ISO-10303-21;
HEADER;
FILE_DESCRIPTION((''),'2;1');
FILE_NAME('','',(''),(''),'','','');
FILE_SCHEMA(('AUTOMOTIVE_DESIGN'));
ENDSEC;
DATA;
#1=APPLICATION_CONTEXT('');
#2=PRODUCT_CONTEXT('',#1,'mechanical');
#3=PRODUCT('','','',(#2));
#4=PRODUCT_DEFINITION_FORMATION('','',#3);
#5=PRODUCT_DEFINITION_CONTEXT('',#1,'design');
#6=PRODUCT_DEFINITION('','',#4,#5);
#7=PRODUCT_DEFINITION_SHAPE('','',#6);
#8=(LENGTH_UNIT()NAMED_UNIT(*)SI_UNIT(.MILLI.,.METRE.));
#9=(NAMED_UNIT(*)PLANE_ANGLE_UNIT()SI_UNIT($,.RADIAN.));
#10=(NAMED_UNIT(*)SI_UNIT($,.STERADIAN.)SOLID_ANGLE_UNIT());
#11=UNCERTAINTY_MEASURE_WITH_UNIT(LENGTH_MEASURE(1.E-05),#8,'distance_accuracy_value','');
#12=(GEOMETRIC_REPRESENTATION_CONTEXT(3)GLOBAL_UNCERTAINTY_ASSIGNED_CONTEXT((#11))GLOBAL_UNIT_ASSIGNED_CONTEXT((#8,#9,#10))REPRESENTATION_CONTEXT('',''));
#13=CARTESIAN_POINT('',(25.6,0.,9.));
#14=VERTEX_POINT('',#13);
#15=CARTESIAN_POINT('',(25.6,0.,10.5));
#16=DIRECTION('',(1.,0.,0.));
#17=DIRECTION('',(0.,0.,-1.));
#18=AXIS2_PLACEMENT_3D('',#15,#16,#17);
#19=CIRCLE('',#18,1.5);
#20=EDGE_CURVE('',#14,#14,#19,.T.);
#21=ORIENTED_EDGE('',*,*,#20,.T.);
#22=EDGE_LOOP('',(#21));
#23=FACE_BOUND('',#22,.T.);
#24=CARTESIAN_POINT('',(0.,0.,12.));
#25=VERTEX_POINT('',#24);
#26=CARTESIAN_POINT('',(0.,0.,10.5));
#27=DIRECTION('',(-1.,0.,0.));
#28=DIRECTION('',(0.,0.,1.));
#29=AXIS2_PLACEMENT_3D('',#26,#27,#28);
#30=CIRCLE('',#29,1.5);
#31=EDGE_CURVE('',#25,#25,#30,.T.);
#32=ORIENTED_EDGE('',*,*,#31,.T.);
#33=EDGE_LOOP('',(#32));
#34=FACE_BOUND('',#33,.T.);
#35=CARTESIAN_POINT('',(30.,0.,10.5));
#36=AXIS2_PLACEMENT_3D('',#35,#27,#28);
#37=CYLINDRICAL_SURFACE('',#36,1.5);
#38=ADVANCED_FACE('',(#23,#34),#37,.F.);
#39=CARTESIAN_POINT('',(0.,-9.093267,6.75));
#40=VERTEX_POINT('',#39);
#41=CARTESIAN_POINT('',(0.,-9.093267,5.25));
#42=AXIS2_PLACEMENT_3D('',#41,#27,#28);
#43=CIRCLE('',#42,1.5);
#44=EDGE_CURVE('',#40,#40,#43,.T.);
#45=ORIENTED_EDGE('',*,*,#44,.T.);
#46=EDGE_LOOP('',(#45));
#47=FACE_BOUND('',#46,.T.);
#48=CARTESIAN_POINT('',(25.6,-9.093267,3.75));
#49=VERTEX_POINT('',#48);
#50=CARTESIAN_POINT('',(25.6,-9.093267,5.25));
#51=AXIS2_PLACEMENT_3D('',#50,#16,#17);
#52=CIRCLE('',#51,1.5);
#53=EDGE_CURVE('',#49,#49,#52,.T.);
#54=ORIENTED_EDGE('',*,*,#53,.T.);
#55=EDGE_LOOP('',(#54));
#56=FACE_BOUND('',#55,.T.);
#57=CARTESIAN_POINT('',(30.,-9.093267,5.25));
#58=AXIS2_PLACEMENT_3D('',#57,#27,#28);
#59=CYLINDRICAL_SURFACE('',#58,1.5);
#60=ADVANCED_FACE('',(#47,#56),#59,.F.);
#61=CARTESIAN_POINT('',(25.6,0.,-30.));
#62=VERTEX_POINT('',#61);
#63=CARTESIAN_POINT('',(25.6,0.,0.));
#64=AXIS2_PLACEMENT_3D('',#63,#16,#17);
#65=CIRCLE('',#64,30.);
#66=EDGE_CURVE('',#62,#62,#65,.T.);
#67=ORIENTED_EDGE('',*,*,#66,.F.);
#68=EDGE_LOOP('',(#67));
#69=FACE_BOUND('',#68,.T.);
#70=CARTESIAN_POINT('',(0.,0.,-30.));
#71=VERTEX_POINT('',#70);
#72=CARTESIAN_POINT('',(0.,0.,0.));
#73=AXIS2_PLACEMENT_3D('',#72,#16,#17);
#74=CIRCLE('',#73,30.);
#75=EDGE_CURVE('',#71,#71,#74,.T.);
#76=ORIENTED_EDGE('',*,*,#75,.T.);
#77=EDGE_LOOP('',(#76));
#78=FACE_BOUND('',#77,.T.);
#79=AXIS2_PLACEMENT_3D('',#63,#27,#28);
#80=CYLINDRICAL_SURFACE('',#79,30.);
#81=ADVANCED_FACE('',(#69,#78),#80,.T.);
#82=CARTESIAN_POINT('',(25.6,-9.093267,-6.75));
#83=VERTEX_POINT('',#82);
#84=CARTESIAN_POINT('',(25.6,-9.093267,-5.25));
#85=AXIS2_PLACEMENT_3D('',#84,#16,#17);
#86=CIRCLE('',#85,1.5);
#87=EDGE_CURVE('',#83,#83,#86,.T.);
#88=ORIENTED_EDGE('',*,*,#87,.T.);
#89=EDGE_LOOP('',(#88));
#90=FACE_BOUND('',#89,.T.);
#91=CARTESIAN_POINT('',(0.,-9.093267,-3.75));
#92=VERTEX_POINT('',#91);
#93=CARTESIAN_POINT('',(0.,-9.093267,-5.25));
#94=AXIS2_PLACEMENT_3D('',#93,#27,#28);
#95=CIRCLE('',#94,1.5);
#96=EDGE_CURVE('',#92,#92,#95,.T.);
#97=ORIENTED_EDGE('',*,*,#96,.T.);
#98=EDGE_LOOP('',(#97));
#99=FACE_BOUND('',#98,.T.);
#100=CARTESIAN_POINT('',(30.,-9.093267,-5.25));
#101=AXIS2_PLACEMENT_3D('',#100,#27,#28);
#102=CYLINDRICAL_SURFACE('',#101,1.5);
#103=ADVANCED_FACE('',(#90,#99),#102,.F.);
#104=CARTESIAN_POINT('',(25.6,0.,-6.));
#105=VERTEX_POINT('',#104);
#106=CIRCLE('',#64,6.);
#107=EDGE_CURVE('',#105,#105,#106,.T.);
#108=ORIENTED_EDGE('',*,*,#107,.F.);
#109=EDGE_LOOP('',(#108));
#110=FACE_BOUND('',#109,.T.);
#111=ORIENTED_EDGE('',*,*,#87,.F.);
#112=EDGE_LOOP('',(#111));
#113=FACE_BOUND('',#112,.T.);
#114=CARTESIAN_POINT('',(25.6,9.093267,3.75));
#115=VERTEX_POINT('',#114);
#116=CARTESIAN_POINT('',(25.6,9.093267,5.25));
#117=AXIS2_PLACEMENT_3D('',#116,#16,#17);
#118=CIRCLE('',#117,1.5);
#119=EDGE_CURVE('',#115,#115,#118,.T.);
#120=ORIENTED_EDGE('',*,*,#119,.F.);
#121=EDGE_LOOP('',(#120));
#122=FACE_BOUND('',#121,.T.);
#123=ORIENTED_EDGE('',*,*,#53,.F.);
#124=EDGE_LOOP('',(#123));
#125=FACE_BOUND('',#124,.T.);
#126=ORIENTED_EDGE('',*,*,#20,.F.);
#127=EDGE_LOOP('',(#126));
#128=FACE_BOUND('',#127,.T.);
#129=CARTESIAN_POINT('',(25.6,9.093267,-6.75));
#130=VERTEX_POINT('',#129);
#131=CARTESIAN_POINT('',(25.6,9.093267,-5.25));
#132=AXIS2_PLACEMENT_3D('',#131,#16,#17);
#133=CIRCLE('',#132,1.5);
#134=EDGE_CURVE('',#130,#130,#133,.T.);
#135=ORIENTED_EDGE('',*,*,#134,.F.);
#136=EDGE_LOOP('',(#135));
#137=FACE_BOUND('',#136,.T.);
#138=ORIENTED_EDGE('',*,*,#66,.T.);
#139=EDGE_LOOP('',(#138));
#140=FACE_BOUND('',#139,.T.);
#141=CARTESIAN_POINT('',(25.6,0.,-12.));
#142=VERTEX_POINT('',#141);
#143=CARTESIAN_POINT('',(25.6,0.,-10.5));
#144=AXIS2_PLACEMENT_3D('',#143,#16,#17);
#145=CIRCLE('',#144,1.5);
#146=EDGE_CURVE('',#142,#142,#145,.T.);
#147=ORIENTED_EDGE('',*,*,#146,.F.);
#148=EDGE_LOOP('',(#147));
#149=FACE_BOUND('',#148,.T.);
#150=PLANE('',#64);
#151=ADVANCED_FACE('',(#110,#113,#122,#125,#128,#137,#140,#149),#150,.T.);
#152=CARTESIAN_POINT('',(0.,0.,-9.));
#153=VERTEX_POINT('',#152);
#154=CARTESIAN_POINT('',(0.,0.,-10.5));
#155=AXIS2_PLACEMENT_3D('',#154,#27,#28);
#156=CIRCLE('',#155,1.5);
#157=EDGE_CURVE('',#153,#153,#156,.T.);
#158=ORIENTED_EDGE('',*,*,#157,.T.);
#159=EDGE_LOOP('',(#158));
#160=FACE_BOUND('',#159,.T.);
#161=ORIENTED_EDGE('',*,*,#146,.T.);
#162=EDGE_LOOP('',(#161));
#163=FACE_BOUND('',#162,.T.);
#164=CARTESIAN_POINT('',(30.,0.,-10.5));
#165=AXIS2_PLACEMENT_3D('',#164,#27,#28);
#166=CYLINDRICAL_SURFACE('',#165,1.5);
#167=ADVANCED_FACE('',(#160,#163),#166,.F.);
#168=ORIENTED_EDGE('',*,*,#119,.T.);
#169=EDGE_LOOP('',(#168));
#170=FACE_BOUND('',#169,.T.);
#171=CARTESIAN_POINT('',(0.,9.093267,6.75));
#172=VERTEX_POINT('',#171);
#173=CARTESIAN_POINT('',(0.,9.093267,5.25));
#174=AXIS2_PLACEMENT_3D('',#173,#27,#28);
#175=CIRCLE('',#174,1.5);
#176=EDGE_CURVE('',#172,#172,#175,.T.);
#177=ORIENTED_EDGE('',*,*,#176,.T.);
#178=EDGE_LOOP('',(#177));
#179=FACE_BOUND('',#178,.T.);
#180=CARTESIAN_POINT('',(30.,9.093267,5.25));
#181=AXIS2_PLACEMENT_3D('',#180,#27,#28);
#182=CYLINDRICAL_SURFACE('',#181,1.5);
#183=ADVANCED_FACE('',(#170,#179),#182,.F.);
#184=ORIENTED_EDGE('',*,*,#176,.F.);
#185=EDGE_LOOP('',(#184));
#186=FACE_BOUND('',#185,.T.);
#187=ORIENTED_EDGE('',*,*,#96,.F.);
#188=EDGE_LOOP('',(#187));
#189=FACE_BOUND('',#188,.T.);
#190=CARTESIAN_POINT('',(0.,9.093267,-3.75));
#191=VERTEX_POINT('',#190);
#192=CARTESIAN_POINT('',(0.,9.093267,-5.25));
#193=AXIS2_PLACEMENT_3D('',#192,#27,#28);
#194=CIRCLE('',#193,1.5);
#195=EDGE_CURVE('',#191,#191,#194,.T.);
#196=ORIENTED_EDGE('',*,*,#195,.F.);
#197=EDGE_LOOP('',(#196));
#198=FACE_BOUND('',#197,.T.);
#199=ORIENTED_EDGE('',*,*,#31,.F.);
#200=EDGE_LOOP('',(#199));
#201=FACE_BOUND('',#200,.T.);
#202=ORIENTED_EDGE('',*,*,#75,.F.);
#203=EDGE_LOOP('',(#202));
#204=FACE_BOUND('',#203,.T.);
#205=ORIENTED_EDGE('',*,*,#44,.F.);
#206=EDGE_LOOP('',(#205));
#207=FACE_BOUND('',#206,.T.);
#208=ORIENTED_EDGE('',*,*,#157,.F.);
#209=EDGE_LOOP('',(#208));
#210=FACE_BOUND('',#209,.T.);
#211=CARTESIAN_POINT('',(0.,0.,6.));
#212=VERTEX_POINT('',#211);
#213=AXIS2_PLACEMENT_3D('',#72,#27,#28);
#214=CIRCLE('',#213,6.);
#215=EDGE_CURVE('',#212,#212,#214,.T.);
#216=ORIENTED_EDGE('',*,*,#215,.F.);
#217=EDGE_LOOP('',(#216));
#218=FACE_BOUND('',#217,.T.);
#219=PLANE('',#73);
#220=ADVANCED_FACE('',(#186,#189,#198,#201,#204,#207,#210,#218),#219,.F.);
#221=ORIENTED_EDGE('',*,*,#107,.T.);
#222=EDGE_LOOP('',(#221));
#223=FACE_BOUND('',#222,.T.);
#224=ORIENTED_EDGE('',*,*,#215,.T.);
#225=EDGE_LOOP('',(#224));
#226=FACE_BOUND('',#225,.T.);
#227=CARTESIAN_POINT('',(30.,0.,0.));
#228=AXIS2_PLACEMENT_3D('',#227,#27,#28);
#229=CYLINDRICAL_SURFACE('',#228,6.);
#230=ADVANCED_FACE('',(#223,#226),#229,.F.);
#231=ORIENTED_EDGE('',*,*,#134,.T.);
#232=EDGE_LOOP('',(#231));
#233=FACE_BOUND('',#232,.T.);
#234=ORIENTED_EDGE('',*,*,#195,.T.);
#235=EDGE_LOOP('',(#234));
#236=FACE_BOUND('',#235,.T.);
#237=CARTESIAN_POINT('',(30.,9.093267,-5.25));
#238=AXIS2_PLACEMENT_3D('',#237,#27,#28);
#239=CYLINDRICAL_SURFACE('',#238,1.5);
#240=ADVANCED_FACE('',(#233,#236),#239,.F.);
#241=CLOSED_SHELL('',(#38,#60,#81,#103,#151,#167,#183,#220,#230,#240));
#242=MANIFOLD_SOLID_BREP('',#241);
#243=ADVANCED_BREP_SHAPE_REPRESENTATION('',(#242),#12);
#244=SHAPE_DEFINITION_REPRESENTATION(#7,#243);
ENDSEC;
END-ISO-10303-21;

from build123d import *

# Parameters (mm, degrees)
SKETCH_1_R          = 30
EXTRUDE_1_DEPTH     = 25.6
SKETCH_2_R          = 6
SKETCH_2_R_2        = 1.5
CUT_EXTRUDE_1_DEPTH = 30


with BuildPart() as part:
    # ｽｹｯﾁ1 → ﾎﾞｽ - 押し出し1 (new body)
    with BuildSketch(Plane(origin=(0, 0, 0), x_dir=(0, 0, -1), z_dir=(1, 0, 0))):
        Circle(SKETCH_1_R)
    extrude(amount=EXTRUDE_1_DEPTH)

    # ｽｹｯﾁ2 → ｶｯﾄ - 押し出し1 (cut)
    with BuildSketch(Plane.ZY):
        Circle(SKETCH_2_R)
        with Locations((10.5, 0)):
            Circle(SKETCH_2_R_2)
        with Locations((5.25, -9.09326674)):
            Circle(SKETCH_2_R_2)
        with Locations((-5.25, -9.09326674)):
            Circle(SKETCH_2_R_2)
        with Locations((-10.5, 0)):
            Circle(SKETCH_2_R_2)
        with Locations((-5.25, 9.09326674)):
            Circle(SKETCH_2_R_2)
        with Locations((5.25, 9.09326674)):
            Circle(SKETCH_2_R_2)
    extrude(amount=-CUT_EXTRUDE_1_DEPTH, mode=Mode.SUBTRACT)


solid = part.part
